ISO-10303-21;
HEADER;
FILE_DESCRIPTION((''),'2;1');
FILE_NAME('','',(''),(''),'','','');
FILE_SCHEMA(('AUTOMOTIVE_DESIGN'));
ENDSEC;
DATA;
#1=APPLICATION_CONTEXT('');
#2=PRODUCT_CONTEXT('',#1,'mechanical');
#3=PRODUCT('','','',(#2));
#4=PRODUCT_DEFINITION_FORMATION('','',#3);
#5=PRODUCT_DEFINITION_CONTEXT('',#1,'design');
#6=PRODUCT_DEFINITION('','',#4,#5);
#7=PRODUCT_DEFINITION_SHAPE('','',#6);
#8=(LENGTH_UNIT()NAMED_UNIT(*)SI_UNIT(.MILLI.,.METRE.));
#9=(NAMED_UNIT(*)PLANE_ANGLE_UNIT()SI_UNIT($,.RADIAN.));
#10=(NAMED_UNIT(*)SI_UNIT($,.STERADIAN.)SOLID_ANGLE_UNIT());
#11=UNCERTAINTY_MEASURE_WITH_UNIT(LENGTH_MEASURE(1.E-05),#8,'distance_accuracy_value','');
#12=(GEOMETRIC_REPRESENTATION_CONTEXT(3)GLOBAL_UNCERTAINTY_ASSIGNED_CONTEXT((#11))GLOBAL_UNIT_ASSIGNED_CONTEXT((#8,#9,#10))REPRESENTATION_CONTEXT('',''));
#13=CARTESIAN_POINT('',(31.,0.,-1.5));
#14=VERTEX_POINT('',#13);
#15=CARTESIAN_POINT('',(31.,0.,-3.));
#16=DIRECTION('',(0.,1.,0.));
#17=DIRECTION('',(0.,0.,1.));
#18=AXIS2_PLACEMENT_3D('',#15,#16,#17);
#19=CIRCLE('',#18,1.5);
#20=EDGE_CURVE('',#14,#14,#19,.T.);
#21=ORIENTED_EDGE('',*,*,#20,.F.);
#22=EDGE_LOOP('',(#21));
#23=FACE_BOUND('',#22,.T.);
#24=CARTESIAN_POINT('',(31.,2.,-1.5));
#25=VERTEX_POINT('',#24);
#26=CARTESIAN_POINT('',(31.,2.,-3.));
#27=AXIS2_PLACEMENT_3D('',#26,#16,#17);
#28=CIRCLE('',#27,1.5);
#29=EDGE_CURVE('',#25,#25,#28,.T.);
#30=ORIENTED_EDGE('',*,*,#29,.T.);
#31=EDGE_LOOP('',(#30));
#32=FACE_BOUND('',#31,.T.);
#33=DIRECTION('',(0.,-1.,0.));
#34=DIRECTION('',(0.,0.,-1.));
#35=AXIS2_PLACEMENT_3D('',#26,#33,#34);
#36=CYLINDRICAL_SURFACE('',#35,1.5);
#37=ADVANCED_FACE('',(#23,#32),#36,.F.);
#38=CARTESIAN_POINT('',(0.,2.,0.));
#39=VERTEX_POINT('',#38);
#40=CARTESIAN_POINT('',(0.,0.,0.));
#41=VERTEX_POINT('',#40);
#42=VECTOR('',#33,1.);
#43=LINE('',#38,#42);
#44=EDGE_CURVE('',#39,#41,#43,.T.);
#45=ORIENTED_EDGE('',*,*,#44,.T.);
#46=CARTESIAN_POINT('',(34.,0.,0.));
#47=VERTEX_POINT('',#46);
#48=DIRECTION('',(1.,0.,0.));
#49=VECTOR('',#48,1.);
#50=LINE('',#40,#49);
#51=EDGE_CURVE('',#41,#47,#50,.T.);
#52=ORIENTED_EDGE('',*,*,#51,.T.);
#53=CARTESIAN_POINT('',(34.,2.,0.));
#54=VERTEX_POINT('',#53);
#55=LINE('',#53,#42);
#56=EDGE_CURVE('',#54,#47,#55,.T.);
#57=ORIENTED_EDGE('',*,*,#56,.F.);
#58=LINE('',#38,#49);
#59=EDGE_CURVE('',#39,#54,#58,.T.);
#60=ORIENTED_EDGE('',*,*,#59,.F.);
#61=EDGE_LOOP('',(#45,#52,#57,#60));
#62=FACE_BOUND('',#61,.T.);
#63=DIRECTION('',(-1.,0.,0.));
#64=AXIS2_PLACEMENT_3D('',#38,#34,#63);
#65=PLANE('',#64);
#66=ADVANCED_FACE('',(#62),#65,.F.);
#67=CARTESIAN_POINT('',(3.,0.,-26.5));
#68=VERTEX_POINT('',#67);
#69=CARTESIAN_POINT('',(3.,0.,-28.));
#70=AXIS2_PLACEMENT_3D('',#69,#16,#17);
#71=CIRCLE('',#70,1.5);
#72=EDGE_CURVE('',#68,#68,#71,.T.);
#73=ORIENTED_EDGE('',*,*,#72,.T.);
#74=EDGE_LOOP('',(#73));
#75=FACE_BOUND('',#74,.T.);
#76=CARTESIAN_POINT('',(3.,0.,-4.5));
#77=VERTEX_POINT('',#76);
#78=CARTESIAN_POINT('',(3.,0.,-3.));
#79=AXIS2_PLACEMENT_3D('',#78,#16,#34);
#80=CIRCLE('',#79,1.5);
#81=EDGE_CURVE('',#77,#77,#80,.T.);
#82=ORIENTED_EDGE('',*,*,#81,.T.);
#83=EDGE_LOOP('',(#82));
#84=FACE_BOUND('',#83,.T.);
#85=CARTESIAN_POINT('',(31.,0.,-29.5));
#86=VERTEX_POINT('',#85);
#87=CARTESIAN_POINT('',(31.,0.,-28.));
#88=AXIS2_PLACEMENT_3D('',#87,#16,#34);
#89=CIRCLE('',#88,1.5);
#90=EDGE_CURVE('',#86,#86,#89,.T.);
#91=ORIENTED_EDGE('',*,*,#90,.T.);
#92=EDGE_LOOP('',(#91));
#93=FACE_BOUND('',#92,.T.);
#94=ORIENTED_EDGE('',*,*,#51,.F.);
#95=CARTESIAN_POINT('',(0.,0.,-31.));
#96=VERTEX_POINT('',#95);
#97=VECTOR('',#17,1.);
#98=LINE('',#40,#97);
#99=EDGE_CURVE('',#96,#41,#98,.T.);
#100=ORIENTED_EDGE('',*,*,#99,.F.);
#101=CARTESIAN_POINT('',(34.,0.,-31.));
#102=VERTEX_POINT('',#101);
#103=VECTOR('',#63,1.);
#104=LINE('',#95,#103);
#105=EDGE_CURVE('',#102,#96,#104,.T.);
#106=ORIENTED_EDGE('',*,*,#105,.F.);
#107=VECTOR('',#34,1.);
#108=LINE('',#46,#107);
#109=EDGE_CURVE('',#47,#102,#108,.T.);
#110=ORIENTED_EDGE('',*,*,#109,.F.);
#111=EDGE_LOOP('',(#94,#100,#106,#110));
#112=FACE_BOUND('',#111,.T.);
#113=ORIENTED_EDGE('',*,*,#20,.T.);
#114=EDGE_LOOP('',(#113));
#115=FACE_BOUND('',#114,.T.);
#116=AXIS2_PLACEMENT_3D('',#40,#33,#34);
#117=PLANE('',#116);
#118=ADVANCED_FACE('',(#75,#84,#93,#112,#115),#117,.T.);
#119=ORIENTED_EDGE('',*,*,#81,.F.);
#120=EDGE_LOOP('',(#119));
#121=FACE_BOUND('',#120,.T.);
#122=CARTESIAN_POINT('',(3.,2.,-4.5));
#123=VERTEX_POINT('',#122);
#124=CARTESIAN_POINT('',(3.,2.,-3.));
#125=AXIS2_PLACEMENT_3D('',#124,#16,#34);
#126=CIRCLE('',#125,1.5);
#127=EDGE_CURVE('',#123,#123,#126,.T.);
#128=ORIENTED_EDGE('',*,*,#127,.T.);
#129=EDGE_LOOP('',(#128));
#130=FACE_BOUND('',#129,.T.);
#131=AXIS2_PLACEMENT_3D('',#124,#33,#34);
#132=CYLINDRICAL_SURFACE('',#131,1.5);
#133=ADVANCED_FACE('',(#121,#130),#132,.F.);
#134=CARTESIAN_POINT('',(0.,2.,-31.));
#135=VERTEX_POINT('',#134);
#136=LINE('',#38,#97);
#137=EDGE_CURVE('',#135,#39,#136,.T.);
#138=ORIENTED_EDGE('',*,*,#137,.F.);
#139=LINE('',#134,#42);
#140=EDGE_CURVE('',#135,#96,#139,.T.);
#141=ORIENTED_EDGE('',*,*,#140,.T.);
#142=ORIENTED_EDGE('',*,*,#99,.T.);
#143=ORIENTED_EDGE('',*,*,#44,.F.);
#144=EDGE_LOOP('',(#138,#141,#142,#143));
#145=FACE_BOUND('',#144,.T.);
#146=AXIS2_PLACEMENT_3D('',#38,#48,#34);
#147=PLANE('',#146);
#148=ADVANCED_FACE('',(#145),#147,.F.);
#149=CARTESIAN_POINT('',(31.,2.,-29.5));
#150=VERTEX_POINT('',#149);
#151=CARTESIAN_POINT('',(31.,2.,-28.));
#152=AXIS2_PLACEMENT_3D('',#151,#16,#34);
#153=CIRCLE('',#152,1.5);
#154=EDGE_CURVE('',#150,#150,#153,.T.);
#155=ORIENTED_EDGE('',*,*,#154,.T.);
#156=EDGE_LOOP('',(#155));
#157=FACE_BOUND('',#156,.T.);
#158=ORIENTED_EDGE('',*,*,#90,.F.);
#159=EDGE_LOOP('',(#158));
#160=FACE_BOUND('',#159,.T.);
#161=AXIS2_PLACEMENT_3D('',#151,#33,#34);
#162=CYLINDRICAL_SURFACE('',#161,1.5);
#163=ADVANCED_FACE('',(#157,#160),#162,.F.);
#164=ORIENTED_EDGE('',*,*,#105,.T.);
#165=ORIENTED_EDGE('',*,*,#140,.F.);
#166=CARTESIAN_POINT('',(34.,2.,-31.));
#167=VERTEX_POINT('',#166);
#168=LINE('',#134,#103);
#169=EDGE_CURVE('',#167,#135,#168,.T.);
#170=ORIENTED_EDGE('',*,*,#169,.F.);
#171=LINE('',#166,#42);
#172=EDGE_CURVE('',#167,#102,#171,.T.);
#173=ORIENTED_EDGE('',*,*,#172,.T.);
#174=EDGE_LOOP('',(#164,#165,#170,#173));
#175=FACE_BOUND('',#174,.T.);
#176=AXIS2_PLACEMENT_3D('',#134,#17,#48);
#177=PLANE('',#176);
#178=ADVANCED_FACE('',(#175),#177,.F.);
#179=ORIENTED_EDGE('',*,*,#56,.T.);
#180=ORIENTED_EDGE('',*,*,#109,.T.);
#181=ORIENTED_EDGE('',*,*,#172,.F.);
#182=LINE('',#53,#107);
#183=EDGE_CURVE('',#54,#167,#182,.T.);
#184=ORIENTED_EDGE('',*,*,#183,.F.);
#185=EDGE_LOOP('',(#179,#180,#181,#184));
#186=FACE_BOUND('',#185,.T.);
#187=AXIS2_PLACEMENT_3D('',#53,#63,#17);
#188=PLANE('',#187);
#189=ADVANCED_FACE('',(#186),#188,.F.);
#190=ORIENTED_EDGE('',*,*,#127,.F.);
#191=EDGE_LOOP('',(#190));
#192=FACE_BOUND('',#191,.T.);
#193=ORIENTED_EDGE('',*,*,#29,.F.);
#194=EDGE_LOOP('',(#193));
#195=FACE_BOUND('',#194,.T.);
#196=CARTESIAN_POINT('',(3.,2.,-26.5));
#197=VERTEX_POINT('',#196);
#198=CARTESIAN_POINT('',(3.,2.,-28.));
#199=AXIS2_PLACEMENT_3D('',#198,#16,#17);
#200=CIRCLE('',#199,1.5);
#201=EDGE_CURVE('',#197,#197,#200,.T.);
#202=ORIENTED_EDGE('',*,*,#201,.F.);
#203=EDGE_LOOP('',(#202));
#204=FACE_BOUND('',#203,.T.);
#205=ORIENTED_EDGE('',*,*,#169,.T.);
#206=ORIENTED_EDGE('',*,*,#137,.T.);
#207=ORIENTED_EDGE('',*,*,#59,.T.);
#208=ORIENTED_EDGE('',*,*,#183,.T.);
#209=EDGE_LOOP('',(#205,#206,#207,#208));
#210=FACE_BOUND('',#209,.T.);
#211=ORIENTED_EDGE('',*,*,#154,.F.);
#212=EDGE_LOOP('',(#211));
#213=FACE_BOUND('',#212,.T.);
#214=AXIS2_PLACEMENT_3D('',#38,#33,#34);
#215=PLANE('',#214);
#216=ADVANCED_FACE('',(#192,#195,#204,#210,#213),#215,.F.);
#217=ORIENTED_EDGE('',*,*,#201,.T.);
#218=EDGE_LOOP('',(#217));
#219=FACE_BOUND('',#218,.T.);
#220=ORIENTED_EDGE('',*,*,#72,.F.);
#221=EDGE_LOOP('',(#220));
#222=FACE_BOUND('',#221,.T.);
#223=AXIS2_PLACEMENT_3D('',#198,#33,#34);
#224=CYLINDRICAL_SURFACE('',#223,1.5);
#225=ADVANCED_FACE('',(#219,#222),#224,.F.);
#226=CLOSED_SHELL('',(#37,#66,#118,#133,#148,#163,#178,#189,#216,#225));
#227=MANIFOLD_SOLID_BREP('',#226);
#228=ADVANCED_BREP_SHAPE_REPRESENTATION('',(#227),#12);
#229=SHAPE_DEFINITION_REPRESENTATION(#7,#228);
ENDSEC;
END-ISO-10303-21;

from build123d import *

# Parameters (mm, degrees)
SKETCH1_W           = 34
SKETCH1_H           = 31
SKETCH1_R           = 1.5
BOSS_EXTRUDE1_DEPTH = 2


with BuildPart() as part:
    # Sketch1 → Boss-Extrude1 (new body)
    with BuildSketch(Plane(origin=(0, 0, 0), x_dir=(1, 0, 0), z_dir=(0, 1, 0))):
        with Locations((17, 15.5)):
            Rectangle(SKETCH1_W, SKETCH1_H)
        with Locations(Location((3, 28, 0), (0, 0, 270))):
            Circle(SKETCH1_R, mode=Mode.SUBTRACT)
        with Locations(Location((31, 28, 0), (0, 0, 90))):
            Circle(SKETCH1_R, mode=Mode.SUBTRACT)
        with Locations(Location((31, 3, 0), (0, 0, 270))):
            Circle(SKETCH1_R, mode=Mode.SUBTRACT)
        with Locations(Location((3, 3, 0), (0, 0, 90))):
            Circle(SKETCH1_R, mode=Mode.SUBTRACT)
    extrude(amount=BOSS_EXTRUDE1_DEPTH)


solid = part.part
